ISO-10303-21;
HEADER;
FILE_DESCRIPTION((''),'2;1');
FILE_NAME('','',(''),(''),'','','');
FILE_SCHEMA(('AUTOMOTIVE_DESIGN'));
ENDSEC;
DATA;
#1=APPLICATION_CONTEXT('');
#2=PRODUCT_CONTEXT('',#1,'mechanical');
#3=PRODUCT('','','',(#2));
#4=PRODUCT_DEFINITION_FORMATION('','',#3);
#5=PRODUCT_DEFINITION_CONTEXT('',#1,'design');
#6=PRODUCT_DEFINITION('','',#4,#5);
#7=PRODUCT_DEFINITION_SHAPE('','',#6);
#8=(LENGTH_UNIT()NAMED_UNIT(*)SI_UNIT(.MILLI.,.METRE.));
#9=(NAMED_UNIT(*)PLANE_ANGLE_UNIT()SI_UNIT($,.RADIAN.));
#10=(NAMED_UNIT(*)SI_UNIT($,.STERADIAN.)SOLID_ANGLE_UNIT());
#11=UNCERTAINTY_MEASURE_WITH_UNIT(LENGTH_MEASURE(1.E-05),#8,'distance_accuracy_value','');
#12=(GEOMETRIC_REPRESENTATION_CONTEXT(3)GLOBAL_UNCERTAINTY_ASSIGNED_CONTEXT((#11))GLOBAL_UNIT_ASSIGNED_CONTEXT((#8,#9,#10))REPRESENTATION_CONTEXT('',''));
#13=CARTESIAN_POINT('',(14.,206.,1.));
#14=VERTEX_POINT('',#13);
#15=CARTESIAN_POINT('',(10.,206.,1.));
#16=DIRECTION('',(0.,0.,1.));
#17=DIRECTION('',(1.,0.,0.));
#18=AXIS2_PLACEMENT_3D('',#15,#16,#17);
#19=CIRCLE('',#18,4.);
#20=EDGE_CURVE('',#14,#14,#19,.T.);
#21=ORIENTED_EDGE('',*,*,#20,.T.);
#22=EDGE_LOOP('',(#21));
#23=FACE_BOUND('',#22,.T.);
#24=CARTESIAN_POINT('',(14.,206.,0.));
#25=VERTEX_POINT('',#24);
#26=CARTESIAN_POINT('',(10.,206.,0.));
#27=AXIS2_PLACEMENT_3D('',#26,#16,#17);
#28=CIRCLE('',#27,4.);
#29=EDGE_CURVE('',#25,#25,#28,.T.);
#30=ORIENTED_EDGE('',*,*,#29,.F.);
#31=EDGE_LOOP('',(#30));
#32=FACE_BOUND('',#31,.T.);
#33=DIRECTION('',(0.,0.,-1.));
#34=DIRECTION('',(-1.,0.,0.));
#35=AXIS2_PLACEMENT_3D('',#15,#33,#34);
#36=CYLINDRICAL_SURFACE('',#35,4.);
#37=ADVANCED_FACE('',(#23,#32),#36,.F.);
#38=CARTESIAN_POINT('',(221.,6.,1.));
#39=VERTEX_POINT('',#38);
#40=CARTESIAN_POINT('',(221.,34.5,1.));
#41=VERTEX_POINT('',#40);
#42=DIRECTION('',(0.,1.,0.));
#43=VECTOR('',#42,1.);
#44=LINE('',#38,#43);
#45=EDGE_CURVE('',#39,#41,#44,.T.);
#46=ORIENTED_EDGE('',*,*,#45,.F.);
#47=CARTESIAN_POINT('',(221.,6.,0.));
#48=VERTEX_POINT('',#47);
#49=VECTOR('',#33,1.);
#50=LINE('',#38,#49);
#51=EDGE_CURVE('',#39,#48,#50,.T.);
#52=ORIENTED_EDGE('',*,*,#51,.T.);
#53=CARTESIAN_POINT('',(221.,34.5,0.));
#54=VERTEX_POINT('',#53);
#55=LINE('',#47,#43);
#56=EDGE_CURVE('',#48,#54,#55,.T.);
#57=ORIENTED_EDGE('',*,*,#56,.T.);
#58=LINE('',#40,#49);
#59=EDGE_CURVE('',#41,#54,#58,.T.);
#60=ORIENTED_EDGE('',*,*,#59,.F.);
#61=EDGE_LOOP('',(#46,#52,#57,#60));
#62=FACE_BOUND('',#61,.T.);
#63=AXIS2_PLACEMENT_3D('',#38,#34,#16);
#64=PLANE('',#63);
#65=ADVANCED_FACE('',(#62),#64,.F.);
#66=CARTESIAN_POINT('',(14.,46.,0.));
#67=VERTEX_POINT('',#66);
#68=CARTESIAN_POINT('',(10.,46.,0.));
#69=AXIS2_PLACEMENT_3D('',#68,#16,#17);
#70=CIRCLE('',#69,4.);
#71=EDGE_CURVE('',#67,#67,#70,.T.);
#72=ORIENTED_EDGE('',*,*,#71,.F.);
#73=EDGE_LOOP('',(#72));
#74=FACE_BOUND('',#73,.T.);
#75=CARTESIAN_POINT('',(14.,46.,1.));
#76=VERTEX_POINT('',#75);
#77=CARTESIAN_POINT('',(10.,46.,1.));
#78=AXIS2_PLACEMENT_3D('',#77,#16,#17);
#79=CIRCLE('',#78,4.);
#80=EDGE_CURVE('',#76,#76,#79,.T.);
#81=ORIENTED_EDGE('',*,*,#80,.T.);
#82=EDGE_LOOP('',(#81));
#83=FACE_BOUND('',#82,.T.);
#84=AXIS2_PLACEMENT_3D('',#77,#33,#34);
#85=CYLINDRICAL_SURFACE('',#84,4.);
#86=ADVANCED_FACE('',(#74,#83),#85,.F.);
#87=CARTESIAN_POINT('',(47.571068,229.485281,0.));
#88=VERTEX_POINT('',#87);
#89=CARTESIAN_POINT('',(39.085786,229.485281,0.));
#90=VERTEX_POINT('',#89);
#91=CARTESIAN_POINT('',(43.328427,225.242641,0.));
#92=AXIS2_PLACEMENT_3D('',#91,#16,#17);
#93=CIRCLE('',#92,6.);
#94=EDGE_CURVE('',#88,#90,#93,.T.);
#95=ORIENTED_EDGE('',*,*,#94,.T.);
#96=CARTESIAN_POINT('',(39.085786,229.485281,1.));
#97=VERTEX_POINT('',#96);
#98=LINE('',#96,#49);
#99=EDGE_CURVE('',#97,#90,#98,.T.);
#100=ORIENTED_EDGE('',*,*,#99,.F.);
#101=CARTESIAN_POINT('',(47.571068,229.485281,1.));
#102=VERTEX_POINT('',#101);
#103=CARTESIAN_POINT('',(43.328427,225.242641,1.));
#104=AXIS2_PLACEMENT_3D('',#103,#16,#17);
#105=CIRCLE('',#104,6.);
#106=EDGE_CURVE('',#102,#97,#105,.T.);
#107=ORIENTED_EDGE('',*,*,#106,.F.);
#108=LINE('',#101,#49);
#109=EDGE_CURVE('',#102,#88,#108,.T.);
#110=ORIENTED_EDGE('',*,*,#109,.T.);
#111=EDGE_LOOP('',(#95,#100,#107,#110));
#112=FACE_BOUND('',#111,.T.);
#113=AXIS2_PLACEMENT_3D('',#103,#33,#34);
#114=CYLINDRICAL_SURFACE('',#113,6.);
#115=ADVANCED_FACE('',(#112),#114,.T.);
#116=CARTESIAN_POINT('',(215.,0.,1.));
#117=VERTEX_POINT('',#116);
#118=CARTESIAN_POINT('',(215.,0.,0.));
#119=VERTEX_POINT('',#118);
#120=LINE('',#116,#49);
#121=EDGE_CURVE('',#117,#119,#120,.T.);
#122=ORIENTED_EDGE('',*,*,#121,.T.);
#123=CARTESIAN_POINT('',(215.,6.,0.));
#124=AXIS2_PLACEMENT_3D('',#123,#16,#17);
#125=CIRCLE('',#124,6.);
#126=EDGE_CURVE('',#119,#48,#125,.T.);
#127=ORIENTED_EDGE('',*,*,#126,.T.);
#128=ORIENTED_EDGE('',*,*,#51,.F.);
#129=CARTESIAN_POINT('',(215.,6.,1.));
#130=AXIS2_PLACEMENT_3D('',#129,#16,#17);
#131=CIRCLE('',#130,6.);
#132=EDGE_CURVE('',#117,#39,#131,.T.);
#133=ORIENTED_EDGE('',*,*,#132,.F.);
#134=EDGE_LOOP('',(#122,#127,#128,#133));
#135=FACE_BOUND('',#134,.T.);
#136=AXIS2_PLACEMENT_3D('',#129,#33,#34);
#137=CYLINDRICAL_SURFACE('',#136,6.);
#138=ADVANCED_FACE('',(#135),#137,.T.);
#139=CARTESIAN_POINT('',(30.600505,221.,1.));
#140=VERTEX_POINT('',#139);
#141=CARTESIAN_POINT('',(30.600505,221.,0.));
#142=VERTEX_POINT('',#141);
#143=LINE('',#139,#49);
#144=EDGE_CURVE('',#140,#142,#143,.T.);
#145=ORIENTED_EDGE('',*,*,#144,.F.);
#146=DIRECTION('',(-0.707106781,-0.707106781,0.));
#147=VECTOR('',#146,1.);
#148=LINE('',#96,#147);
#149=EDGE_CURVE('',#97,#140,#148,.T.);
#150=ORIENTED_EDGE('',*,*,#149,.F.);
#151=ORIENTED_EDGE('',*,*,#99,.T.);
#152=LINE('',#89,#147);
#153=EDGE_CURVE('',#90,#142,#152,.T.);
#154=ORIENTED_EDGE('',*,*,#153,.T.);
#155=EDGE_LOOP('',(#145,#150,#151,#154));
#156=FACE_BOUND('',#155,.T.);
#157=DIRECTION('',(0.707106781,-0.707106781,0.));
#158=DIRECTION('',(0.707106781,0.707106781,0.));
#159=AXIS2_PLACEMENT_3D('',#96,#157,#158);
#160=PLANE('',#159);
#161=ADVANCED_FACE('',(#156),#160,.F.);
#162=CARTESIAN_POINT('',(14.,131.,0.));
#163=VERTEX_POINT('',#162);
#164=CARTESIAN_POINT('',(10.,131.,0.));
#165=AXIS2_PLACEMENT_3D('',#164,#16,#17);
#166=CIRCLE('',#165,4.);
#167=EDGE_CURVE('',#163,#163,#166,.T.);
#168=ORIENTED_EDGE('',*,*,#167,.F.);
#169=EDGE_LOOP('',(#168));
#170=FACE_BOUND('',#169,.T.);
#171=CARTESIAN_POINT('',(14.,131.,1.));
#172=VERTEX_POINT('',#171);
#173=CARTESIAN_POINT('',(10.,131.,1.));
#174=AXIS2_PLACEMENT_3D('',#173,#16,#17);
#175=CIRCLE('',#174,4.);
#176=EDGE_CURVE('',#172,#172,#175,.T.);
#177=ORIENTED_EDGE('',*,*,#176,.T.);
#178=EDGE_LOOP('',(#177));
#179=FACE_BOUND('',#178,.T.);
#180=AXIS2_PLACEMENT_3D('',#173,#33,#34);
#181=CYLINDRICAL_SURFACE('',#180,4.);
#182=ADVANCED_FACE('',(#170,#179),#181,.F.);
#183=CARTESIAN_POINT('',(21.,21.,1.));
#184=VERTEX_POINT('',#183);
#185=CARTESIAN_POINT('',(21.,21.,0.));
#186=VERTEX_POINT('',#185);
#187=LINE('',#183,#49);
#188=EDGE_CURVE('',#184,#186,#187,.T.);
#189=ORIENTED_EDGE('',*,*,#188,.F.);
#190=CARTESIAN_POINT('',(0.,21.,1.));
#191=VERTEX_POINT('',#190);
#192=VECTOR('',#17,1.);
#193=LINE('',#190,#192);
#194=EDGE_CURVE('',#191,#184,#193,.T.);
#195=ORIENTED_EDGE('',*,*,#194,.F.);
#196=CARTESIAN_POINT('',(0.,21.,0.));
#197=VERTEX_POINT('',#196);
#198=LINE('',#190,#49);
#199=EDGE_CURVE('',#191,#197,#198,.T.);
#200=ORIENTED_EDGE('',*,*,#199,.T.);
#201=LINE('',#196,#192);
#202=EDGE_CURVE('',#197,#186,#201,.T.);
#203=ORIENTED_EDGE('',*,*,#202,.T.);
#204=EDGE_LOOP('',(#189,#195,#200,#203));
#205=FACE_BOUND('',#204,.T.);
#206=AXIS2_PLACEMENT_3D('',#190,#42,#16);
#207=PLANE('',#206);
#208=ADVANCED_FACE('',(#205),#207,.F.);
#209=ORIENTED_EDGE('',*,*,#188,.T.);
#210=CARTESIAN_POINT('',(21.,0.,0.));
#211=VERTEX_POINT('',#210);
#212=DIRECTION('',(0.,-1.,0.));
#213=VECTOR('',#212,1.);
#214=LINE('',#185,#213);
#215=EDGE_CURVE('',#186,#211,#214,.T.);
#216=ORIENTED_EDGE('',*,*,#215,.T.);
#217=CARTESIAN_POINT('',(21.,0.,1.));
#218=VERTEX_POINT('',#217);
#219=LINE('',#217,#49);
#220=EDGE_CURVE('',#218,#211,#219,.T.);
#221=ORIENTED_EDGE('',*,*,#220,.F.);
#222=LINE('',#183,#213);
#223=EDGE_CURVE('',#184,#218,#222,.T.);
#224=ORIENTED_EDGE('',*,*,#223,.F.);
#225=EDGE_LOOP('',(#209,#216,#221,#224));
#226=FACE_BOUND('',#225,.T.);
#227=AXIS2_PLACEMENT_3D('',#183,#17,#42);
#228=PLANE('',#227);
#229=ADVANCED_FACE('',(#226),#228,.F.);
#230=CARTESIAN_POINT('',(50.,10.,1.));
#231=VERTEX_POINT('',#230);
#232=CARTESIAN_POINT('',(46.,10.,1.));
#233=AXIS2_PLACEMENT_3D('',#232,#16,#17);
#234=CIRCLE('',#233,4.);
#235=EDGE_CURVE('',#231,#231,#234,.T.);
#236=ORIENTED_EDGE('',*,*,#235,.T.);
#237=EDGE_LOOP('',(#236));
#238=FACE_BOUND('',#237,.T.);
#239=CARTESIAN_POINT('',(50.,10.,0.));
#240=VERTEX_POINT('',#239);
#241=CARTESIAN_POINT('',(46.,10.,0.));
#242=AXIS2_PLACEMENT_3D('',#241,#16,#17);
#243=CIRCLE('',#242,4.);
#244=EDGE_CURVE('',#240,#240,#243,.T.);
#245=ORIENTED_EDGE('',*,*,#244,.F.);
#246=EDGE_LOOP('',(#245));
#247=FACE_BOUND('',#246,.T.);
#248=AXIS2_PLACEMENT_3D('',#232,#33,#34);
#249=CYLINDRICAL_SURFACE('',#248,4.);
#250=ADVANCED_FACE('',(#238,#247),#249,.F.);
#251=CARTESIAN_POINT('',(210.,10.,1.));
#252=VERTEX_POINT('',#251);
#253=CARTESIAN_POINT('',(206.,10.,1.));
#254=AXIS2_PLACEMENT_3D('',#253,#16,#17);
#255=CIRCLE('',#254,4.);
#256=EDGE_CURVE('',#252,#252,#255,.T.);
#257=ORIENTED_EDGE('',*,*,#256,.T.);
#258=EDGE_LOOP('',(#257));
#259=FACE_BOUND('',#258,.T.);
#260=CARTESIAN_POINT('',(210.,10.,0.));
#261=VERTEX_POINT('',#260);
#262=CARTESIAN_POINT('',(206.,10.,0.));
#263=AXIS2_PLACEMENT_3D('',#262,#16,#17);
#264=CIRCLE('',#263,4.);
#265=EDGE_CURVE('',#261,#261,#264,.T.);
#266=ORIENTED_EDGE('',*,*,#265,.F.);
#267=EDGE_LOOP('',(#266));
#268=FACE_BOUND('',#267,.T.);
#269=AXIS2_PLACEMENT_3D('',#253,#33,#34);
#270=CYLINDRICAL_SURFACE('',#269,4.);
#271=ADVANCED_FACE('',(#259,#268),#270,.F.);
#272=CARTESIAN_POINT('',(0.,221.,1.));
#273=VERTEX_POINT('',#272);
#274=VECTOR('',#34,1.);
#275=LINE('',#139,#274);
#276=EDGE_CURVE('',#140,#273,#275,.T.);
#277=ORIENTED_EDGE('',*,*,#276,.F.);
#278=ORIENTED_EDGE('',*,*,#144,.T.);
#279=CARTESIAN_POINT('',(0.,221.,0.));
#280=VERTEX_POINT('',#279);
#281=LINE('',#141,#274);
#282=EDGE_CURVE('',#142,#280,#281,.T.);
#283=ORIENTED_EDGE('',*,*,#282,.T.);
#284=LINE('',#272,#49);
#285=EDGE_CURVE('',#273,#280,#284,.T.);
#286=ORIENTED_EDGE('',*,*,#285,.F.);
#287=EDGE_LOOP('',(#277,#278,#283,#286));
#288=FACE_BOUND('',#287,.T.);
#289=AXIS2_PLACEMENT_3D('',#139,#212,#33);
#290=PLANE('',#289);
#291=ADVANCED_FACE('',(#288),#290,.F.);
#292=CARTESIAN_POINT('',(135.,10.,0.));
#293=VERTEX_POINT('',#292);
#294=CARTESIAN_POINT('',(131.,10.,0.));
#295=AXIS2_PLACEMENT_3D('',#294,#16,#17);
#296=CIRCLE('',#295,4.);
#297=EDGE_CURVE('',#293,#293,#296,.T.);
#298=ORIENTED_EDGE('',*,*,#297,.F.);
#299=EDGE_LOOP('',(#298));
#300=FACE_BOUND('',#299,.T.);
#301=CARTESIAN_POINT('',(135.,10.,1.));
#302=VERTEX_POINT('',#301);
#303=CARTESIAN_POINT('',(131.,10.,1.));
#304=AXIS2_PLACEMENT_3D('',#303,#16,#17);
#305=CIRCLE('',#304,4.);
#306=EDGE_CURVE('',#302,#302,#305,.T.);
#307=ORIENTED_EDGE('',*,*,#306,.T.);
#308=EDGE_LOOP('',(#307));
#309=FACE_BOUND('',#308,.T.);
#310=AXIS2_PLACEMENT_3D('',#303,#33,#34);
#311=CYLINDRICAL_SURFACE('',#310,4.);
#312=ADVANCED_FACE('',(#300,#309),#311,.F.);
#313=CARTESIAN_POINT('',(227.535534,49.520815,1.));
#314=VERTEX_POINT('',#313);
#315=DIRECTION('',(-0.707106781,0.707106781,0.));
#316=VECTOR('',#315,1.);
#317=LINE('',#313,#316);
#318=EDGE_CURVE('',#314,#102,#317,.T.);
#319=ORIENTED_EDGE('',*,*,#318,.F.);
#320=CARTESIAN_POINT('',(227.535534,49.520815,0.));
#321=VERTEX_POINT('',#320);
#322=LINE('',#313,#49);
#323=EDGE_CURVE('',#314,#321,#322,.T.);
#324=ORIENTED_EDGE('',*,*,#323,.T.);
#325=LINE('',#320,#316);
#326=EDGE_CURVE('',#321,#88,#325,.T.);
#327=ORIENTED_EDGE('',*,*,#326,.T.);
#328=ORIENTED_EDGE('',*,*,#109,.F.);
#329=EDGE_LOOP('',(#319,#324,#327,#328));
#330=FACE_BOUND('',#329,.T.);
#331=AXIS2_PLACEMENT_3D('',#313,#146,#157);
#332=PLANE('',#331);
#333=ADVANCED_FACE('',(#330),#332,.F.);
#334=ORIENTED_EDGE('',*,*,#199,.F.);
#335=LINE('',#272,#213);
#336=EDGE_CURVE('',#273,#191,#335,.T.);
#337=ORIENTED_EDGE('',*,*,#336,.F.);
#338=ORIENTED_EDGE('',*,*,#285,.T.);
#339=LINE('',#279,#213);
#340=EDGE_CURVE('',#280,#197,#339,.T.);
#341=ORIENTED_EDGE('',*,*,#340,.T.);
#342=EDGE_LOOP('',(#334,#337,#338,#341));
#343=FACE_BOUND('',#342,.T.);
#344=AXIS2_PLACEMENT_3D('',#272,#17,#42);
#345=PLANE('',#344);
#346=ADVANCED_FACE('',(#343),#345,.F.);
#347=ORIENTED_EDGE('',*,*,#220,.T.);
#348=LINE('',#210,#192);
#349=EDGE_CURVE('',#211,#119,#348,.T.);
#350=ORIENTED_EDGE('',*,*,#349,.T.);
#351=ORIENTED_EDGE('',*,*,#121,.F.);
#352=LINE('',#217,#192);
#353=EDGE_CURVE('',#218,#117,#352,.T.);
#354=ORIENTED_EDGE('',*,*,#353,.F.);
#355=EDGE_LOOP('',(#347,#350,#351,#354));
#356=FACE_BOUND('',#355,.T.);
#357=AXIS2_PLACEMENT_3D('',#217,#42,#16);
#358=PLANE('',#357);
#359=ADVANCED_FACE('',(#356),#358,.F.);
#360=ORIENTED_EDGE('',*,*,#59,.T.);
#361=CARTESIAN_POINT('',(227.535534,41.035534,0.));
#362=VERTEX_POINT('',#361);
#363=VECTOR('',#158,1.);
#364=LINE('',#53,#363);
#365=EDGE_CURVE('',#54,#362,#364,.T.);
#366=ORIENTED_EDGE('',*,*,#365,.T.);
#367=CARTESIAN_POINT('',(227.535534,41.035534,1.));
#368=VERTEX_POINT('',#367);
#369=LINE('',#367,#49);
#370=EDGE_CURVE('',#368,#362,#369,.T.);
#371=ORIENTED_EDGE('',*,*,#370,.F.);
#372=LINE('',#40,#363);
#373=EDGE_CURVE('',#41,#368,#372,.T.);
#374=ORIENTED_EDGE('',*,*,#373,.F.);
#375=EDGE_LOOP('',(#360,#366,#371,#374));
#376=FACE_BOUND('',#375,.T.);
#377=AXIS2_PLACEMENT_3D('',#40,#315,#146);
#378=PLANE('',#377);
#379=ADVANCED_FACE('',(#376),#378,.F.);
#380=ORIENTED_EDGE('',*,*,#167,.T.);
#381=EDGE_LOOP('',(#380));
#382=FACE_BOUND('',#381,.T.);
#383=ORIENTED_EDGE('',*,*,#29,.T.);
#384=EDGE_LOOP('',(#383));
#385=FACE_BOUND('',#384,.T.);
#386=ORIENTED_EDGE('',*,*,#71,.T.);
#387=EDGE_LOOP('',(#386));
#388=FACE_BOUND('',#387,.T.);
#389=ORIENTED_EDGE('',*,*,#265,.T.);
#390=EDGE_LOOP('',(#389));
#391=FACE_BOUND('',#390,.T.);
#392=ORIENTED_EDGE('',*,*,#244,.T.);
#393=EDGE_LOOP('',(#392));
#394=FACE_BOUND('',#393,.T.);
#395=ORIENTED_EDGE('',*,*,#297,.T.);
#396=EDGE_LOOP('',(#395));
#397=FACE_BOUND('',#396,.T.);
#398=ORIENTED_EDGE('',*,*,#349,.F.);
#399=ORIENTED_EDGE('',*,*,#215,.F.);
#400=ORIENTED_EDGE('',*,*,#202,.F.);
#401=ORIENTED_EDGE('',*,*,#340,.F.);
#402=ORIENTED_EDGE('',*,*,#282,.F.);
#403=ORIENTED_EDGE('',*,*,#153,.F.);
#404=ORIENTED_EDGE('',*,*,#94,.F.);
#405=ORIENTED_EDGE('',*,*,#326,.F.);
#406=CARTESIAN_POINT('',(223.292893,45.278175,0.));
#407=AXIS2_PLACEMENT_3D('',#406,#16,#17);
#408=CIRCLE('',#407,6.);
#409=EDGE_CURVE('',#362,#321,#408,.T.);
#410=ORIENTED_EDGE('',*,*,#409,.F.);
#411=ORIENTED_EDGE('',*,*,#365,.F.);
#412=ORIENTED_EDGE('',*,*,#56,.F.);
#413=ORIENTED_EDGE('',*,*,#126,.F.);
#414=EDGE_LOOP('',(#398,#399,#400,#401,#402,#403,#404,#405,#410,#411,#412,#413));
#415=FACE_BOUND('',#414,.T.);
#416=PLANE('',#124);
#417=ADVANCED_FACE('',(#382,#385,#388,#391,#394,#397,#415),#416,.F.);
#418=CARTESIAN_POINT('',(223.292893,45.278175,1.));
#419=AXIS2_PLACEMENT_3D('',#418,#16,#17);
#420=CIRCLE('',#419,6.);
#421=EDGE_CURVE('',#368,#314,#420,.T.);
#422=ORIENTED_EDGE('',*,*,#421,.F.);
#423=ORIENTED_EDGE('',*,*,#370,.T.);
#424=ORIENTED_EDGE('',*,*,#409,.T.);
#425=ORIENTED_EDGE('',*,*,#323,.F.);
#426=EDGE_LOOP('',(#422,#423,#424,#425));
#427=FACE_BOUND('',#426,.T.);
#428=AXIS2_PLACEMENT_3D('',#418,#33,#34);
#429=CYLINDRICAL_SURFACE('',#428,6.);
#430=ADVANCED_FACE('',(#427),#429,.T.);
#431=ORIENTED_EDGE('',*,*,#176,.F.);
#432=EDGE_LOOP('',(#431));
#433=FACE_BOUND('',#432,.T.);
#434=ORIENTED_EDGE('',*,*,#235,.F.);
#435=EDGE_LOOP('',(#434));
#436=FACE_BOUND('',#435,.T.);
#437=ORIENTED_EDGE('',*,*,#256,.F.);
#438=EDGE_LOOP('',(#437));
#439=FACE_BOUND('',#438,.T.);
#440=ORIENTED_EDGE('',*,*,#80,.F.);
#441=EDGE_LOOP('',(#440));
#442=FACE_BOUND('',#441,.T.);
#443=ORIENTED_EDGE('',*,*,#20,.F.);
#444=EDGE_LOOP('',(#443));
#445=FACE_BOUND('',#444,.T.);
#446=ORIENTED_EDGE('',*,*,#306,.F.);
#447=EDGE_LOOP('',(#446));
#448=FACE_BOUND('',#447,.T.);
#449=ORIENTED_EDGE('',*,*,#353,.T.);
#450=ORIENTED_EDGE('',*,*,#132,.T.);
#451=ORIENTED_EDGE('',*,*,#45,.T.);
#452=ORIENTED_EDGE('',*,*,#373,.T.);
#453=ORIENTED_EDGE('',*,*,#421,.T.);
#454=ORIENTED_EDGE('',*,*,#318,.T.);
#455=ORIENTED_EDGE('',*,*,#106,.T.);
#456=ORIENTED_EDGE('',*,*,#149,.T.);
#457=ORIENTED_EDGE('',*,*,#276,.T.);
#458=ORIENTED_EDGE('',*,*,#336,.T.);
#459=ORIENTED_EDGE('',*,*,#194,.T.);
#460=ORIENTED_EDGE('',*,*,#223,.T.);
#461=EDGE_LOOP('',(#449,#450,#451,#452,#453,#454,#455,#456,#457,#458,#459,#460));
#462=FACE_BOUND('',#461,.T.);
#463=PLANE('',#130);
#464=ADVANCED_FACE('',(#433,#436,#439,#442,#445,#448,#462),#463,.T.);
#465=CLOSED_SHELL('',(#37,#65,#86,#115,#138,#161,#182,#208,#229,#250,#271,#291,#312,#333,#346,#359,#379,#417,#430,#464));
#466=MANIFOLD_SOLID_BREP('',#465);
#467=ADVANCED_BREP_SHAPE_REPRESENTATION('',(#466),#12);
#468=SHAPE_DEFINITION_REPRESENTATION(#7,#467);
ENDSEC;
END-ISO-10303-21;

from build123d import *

# Parameters (mm, degrees)
SKETCH_1_R      = 4
EXTRUDE_1_DEPTH = 1


with BuildPart() as part:
    # 草圖1 → 填料-伸長1 (new body)
    with BuildSketch(Plane.XY):
        with BuildLine():
            Line((0, 21), (21, 21))
            Line((21, 21), (21, 0))
            Line((21, 0), (215, 0))
            ThreePointArc((215, 0), (219.242640687, 1.757359313), (221, 6))
            Line((221, 6), (221, 34.5))
            Line((221, 34.5), (227.535533906, 41.035533906))
            ThreePointArc((227.535533906, 41.035533906), (229.292893219, 45.278174593), (227.535533906, 49.52081528))
            Line((227.535533906, 49.52081528), (47.571067812, 229.485281374))
            ThreePointArc((47.571067812, 229.485281374), (43.328427125, 231.242640687), (39.085786438, 229.485281374))
            Line((39.085786438, 229.485281374), (30.600505063, 221))
            Line((30.600505063, 221), (0, 221))
            Line((0, 221), (0, 21))
        make_face()
        with Locations((10, 206)):
            Circle(SKETCH_1_R, mode=Mode.SUBTRACT)
        with Locations((10, 46)):
            Circle(SKETCH_1_R, mode=Mode.SUBTRACT)
        with Locations((10, 131)):
            Circle(SKETCH_1_R, mode=Mode.SUBTRACT)
        with Locations((46, 10)):
            Circle(SKETCH_1_R, mode=Mode.SUBTRACT)
        with Locations((131, 10)):
            Circle(SKETCH_1_R, mode=Mode.SUBTRACT)
        with Locations((206, 10)):
            Circle(SKETCH_1_R, mode=Mode.SUBTRACT)
    extrude(amount=EXTRUDE_1_DEPTH)


solid = part.part
